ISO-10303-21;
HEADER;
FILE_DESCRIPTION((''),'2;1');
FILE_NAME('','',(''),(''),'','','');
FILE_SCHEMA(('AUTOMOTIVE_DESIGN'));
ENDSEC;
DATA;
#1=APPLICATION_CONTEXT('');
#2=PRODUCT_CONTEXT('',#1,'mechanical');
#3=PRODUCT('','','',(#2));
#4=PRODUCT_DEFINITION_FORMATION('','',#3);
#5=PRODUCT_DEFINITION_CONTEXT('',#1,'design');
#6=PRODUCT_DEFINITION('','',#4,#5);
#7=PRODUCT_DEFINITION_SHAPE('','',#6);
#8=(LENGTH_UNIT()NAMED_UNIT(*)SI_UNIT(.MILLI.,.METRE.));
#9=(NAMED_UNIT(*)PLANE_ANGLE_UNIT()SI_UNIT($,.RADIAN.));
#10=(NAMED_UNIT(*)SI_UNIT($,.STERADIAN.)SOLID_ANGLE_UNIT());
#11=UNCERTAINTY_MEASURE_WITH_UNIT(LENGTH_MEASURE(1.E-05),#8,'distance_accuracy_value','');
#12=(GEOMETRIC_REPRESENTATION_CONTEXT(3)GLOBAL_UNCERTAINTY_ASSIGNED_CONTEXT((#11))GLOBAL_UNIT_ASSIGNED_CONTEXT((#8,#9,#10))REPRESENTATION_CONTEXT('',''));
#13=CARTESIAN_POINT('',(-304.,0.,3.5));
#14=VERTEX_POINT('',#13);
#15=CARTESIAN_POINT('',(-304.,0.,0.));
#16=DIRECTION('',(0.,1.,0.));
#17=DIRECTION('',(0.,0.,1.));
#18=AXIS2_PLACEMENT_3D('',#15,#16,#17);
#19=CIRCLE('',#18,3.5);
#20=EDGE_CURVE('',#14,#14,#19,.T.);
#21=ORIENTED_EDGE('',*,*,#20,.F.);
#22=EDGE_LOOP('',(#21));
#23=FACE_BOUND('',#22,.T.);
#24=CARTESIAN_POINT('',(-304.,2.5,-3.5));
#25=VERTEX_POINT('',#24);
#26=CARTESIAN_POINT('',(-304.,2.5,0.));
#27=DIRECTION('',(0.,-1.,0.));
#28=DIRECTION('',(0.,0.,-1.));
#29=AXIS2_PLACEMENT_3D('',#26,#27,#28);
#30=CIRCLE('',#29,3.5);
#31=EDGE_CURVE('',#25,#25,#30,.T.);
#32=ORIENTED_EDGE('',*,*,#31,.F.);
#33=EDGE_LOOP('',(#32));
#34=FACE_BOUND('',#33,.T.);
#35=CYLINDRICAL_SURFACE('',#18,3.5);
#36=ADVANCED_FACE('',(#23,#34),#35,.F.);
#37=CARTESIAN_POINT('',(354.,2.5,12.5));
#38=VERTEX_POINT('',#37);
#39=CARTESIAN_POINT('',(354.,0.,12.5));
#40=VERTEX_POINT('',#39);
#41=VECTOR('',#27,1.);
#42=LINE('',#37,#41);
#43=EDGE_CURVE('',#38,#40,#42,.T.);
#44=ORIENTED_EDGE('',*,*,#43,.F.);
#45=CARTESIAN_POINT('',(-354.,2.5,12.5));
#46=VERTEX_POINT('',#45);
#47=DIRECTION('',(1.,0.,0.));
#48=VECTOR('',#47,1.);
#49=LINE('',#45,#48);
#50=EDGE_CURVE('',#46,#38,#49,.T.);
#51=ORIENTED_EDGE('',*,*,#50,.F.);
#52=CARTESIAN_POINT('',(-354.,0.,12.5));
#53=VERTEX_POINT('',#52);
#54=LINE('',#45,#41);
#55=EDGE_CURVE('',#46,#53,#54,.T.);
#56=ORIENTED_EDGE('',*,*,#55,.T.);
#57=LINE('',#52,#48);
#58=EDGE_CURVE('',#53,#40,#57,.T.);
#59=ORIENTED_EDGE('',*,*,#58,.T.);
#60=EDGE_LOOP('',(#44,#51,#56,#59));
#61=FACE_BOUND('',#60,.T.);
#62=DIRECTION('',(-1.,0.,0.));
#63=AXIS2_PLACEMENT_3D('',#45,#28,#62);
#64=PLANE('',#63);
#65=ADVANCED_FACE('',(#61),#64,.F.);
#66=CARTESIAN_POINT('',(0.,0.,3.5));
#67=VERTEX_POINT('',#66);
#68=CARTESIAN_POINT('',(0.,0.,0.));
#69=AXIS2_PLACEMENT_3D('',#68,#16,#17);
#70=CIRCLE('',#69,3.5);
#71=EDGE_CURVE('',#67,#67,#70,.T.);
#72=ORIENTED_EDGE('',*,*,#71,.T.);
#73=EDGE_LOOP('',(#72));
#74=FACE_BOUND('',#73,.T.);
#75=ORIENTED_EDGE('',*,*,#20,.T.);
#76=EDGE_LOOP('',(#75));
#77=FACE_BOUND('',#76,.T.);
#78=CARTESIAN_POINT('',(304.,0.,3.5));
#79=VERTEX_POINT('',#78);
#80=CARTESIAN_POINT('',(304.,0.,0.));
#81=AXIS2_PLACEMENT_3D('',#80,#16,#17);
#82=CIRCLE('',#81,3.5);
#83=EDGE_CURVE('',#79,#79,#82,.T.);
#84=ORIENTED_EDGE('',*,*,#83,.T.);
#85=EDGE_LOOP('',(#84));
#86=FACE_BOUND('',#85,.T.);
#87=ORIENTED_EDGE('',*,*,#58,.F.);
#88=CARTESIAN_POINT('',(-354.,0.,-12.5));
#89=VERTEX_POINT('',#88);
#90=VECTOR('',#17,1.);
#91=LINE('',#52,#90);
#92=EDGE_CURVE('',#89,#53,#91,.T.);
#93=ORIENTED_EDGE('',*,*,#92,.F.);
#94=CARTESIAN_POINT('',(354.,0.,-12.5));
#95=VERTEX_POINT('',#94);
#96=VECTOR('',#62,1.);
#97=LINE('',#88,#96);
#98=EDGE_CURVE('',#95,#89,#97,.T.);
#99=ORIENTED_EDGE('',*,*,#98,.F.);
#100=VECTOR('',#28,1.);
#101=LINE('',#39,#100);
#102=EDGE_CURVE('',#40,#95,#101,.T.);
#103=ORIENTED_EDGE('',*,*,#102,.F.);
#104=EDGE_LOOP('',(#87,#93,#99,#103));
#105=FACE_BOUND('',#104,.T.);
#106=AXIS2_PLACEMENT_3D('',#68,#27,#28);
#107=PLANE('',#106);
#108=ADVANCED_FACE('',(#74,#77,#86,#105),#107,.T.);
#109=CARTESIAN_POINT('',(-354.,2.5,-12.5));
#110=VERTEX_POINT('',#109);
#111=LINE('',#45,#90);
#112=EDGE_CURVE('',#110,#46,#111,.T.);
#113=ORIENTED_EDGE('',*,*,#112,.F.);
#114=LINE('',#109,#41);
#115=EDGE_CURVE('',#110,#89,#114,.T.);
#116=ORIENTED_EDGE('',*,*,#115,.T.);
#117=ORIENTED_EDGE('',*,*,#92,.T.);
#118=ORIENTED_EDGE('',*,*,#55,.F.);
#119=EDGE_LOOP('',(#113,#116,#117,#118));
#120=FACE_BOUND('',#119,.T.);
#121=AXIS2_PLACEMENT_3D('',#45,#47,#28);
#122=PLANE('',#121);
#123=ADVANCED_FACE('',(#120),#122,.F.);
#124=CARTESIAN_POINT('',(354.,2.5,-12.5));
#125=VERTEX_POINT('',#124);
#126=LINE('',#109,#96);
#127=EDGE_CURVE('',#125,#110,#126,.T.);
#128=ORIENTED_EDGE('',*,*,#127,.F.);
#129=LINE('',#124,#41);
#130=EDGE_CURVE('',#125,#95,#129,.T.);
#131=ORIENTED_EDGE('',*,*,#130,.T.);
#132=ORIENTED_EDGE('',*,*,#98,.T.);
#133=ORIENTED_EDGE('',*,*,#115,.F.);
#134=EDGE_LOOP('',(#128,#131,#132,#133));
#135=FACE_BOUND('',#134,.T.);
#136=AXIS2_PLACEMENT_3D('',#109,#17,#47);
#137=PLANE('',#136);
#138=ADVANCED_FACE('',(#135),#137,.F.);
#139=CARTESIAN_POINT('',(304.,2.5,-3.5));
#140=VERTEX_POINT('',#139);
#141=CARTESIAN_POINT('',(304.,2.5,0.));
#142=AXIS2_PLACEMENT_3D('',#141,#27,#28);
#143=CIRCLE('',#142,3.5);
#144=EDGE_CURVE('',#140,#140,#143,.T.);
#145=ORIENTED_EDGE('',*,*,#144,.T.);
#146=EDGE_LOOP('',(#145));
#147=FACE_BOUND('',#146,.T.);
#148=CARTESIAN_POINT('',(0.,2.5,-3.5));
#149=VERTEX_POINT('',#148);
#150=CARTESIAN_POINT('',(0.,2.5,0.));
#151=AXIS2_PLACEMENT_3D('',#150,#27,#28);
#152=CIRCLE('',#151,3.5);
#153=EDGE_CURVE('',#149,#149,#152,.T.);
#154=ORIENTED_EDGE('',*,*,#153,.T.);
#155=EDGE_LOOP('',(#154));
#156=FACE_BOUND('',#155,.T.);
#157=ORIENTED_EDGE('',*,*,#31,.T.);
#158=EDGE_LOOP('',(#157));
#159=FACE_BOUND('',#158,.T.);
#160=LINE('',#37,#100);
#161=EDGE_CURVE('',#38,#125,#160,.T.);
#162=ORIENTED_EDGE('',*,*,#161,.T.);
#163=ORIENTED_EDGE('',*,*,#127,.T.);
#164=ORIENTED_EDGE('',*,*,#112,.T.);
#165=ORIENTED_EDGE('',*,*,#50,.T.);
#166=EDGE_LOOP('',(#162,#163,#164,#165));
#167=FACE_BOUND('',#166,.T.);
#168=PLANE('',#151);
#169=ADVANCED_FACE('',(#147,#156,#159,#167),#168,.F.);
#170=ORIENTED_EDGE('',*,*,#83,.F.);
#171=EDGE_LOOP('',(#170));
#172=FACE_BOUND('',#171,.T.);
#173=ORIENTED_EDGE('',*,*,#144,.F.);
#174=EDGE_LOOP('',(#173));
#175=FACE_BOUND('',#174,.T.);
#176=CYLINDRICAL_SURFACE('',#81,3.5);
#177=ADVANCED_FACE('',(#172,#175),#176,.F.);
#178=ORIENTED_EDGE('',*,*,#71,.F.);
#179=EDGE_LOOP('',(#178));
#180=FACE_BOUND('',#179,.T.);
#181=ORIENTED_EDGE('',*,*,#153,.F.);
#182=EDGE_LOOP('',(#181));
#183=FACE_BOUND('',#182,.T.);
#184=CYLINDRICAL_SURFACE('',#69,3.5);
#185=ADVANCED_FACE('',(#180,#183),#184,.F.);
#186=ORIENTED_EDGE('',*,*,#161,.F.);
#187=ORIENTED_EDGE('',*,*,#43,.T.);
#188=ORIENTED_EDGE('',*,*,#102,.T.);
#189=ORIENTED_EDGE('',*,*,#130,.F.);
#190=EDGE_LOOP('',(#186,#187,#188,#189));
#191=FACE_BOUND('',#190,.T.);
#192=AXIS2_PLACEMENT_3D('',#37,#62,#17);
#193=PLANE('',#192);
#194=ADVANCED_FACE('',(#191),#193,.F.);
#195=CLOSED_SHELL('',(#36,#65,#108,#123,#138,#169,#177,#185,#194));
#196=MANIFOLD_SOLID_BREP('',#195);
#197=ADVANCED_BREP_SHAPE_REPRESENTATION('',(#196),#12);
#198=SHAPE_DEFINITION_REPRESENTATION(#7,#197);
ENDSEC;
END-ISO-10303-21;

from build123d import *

# Parameters (mm, degrees)
SKETCH1_W           = 708
SKETCH1_H           = 25
BOSS_EXTRUDE1_DEPTH = 2.5
SKETCH2_R           = 3.5
CUT_EXTRUDE1_DEPTH  = 355.229445416
LPATTERN1_COUNT     = 3
LPATTERN1_PITCH     = 304


with BuildPart() as part:
    # Sketch1 → Boss-Extrude1 (new body)
    with BuildSketch(Plane(origin=(0, 0, 0), x_dir=(1, 0, 0), z_dir=(0, 1, 0))):
        Rectangle(SKETCH1_W, SKETCH1_H)
    extrude(amount=BOSS_EXTRUDE1_DEPTH)

    # Sketch2 → Cut-Extrude1 (cut, symmetric)
    with BuildSketch(Plane(origin=(0, 2.5, 0), x_dir=(1, 0, 0), z_dir=(0, 1, 0))):
        with Locations(Location((-304, 0, 0), (0, 0, 270))):
            Circle(SKETCH2_R)
    cut_extrude1 = extrude(amount=CUT_EXTRUDE1_DEPTH, both=True, mode=Mode.SUBTRACT)

    # LPattern1: Cut-Extrude1 ×3
    with Locations(*[(i * LPATTERN1_PITCH, 0, 0) for i in range(1, LPATTERN1_COUNT)]):
        add(cut_extrude1, mode=Mode.SUBTRACT)


solid = part.part
